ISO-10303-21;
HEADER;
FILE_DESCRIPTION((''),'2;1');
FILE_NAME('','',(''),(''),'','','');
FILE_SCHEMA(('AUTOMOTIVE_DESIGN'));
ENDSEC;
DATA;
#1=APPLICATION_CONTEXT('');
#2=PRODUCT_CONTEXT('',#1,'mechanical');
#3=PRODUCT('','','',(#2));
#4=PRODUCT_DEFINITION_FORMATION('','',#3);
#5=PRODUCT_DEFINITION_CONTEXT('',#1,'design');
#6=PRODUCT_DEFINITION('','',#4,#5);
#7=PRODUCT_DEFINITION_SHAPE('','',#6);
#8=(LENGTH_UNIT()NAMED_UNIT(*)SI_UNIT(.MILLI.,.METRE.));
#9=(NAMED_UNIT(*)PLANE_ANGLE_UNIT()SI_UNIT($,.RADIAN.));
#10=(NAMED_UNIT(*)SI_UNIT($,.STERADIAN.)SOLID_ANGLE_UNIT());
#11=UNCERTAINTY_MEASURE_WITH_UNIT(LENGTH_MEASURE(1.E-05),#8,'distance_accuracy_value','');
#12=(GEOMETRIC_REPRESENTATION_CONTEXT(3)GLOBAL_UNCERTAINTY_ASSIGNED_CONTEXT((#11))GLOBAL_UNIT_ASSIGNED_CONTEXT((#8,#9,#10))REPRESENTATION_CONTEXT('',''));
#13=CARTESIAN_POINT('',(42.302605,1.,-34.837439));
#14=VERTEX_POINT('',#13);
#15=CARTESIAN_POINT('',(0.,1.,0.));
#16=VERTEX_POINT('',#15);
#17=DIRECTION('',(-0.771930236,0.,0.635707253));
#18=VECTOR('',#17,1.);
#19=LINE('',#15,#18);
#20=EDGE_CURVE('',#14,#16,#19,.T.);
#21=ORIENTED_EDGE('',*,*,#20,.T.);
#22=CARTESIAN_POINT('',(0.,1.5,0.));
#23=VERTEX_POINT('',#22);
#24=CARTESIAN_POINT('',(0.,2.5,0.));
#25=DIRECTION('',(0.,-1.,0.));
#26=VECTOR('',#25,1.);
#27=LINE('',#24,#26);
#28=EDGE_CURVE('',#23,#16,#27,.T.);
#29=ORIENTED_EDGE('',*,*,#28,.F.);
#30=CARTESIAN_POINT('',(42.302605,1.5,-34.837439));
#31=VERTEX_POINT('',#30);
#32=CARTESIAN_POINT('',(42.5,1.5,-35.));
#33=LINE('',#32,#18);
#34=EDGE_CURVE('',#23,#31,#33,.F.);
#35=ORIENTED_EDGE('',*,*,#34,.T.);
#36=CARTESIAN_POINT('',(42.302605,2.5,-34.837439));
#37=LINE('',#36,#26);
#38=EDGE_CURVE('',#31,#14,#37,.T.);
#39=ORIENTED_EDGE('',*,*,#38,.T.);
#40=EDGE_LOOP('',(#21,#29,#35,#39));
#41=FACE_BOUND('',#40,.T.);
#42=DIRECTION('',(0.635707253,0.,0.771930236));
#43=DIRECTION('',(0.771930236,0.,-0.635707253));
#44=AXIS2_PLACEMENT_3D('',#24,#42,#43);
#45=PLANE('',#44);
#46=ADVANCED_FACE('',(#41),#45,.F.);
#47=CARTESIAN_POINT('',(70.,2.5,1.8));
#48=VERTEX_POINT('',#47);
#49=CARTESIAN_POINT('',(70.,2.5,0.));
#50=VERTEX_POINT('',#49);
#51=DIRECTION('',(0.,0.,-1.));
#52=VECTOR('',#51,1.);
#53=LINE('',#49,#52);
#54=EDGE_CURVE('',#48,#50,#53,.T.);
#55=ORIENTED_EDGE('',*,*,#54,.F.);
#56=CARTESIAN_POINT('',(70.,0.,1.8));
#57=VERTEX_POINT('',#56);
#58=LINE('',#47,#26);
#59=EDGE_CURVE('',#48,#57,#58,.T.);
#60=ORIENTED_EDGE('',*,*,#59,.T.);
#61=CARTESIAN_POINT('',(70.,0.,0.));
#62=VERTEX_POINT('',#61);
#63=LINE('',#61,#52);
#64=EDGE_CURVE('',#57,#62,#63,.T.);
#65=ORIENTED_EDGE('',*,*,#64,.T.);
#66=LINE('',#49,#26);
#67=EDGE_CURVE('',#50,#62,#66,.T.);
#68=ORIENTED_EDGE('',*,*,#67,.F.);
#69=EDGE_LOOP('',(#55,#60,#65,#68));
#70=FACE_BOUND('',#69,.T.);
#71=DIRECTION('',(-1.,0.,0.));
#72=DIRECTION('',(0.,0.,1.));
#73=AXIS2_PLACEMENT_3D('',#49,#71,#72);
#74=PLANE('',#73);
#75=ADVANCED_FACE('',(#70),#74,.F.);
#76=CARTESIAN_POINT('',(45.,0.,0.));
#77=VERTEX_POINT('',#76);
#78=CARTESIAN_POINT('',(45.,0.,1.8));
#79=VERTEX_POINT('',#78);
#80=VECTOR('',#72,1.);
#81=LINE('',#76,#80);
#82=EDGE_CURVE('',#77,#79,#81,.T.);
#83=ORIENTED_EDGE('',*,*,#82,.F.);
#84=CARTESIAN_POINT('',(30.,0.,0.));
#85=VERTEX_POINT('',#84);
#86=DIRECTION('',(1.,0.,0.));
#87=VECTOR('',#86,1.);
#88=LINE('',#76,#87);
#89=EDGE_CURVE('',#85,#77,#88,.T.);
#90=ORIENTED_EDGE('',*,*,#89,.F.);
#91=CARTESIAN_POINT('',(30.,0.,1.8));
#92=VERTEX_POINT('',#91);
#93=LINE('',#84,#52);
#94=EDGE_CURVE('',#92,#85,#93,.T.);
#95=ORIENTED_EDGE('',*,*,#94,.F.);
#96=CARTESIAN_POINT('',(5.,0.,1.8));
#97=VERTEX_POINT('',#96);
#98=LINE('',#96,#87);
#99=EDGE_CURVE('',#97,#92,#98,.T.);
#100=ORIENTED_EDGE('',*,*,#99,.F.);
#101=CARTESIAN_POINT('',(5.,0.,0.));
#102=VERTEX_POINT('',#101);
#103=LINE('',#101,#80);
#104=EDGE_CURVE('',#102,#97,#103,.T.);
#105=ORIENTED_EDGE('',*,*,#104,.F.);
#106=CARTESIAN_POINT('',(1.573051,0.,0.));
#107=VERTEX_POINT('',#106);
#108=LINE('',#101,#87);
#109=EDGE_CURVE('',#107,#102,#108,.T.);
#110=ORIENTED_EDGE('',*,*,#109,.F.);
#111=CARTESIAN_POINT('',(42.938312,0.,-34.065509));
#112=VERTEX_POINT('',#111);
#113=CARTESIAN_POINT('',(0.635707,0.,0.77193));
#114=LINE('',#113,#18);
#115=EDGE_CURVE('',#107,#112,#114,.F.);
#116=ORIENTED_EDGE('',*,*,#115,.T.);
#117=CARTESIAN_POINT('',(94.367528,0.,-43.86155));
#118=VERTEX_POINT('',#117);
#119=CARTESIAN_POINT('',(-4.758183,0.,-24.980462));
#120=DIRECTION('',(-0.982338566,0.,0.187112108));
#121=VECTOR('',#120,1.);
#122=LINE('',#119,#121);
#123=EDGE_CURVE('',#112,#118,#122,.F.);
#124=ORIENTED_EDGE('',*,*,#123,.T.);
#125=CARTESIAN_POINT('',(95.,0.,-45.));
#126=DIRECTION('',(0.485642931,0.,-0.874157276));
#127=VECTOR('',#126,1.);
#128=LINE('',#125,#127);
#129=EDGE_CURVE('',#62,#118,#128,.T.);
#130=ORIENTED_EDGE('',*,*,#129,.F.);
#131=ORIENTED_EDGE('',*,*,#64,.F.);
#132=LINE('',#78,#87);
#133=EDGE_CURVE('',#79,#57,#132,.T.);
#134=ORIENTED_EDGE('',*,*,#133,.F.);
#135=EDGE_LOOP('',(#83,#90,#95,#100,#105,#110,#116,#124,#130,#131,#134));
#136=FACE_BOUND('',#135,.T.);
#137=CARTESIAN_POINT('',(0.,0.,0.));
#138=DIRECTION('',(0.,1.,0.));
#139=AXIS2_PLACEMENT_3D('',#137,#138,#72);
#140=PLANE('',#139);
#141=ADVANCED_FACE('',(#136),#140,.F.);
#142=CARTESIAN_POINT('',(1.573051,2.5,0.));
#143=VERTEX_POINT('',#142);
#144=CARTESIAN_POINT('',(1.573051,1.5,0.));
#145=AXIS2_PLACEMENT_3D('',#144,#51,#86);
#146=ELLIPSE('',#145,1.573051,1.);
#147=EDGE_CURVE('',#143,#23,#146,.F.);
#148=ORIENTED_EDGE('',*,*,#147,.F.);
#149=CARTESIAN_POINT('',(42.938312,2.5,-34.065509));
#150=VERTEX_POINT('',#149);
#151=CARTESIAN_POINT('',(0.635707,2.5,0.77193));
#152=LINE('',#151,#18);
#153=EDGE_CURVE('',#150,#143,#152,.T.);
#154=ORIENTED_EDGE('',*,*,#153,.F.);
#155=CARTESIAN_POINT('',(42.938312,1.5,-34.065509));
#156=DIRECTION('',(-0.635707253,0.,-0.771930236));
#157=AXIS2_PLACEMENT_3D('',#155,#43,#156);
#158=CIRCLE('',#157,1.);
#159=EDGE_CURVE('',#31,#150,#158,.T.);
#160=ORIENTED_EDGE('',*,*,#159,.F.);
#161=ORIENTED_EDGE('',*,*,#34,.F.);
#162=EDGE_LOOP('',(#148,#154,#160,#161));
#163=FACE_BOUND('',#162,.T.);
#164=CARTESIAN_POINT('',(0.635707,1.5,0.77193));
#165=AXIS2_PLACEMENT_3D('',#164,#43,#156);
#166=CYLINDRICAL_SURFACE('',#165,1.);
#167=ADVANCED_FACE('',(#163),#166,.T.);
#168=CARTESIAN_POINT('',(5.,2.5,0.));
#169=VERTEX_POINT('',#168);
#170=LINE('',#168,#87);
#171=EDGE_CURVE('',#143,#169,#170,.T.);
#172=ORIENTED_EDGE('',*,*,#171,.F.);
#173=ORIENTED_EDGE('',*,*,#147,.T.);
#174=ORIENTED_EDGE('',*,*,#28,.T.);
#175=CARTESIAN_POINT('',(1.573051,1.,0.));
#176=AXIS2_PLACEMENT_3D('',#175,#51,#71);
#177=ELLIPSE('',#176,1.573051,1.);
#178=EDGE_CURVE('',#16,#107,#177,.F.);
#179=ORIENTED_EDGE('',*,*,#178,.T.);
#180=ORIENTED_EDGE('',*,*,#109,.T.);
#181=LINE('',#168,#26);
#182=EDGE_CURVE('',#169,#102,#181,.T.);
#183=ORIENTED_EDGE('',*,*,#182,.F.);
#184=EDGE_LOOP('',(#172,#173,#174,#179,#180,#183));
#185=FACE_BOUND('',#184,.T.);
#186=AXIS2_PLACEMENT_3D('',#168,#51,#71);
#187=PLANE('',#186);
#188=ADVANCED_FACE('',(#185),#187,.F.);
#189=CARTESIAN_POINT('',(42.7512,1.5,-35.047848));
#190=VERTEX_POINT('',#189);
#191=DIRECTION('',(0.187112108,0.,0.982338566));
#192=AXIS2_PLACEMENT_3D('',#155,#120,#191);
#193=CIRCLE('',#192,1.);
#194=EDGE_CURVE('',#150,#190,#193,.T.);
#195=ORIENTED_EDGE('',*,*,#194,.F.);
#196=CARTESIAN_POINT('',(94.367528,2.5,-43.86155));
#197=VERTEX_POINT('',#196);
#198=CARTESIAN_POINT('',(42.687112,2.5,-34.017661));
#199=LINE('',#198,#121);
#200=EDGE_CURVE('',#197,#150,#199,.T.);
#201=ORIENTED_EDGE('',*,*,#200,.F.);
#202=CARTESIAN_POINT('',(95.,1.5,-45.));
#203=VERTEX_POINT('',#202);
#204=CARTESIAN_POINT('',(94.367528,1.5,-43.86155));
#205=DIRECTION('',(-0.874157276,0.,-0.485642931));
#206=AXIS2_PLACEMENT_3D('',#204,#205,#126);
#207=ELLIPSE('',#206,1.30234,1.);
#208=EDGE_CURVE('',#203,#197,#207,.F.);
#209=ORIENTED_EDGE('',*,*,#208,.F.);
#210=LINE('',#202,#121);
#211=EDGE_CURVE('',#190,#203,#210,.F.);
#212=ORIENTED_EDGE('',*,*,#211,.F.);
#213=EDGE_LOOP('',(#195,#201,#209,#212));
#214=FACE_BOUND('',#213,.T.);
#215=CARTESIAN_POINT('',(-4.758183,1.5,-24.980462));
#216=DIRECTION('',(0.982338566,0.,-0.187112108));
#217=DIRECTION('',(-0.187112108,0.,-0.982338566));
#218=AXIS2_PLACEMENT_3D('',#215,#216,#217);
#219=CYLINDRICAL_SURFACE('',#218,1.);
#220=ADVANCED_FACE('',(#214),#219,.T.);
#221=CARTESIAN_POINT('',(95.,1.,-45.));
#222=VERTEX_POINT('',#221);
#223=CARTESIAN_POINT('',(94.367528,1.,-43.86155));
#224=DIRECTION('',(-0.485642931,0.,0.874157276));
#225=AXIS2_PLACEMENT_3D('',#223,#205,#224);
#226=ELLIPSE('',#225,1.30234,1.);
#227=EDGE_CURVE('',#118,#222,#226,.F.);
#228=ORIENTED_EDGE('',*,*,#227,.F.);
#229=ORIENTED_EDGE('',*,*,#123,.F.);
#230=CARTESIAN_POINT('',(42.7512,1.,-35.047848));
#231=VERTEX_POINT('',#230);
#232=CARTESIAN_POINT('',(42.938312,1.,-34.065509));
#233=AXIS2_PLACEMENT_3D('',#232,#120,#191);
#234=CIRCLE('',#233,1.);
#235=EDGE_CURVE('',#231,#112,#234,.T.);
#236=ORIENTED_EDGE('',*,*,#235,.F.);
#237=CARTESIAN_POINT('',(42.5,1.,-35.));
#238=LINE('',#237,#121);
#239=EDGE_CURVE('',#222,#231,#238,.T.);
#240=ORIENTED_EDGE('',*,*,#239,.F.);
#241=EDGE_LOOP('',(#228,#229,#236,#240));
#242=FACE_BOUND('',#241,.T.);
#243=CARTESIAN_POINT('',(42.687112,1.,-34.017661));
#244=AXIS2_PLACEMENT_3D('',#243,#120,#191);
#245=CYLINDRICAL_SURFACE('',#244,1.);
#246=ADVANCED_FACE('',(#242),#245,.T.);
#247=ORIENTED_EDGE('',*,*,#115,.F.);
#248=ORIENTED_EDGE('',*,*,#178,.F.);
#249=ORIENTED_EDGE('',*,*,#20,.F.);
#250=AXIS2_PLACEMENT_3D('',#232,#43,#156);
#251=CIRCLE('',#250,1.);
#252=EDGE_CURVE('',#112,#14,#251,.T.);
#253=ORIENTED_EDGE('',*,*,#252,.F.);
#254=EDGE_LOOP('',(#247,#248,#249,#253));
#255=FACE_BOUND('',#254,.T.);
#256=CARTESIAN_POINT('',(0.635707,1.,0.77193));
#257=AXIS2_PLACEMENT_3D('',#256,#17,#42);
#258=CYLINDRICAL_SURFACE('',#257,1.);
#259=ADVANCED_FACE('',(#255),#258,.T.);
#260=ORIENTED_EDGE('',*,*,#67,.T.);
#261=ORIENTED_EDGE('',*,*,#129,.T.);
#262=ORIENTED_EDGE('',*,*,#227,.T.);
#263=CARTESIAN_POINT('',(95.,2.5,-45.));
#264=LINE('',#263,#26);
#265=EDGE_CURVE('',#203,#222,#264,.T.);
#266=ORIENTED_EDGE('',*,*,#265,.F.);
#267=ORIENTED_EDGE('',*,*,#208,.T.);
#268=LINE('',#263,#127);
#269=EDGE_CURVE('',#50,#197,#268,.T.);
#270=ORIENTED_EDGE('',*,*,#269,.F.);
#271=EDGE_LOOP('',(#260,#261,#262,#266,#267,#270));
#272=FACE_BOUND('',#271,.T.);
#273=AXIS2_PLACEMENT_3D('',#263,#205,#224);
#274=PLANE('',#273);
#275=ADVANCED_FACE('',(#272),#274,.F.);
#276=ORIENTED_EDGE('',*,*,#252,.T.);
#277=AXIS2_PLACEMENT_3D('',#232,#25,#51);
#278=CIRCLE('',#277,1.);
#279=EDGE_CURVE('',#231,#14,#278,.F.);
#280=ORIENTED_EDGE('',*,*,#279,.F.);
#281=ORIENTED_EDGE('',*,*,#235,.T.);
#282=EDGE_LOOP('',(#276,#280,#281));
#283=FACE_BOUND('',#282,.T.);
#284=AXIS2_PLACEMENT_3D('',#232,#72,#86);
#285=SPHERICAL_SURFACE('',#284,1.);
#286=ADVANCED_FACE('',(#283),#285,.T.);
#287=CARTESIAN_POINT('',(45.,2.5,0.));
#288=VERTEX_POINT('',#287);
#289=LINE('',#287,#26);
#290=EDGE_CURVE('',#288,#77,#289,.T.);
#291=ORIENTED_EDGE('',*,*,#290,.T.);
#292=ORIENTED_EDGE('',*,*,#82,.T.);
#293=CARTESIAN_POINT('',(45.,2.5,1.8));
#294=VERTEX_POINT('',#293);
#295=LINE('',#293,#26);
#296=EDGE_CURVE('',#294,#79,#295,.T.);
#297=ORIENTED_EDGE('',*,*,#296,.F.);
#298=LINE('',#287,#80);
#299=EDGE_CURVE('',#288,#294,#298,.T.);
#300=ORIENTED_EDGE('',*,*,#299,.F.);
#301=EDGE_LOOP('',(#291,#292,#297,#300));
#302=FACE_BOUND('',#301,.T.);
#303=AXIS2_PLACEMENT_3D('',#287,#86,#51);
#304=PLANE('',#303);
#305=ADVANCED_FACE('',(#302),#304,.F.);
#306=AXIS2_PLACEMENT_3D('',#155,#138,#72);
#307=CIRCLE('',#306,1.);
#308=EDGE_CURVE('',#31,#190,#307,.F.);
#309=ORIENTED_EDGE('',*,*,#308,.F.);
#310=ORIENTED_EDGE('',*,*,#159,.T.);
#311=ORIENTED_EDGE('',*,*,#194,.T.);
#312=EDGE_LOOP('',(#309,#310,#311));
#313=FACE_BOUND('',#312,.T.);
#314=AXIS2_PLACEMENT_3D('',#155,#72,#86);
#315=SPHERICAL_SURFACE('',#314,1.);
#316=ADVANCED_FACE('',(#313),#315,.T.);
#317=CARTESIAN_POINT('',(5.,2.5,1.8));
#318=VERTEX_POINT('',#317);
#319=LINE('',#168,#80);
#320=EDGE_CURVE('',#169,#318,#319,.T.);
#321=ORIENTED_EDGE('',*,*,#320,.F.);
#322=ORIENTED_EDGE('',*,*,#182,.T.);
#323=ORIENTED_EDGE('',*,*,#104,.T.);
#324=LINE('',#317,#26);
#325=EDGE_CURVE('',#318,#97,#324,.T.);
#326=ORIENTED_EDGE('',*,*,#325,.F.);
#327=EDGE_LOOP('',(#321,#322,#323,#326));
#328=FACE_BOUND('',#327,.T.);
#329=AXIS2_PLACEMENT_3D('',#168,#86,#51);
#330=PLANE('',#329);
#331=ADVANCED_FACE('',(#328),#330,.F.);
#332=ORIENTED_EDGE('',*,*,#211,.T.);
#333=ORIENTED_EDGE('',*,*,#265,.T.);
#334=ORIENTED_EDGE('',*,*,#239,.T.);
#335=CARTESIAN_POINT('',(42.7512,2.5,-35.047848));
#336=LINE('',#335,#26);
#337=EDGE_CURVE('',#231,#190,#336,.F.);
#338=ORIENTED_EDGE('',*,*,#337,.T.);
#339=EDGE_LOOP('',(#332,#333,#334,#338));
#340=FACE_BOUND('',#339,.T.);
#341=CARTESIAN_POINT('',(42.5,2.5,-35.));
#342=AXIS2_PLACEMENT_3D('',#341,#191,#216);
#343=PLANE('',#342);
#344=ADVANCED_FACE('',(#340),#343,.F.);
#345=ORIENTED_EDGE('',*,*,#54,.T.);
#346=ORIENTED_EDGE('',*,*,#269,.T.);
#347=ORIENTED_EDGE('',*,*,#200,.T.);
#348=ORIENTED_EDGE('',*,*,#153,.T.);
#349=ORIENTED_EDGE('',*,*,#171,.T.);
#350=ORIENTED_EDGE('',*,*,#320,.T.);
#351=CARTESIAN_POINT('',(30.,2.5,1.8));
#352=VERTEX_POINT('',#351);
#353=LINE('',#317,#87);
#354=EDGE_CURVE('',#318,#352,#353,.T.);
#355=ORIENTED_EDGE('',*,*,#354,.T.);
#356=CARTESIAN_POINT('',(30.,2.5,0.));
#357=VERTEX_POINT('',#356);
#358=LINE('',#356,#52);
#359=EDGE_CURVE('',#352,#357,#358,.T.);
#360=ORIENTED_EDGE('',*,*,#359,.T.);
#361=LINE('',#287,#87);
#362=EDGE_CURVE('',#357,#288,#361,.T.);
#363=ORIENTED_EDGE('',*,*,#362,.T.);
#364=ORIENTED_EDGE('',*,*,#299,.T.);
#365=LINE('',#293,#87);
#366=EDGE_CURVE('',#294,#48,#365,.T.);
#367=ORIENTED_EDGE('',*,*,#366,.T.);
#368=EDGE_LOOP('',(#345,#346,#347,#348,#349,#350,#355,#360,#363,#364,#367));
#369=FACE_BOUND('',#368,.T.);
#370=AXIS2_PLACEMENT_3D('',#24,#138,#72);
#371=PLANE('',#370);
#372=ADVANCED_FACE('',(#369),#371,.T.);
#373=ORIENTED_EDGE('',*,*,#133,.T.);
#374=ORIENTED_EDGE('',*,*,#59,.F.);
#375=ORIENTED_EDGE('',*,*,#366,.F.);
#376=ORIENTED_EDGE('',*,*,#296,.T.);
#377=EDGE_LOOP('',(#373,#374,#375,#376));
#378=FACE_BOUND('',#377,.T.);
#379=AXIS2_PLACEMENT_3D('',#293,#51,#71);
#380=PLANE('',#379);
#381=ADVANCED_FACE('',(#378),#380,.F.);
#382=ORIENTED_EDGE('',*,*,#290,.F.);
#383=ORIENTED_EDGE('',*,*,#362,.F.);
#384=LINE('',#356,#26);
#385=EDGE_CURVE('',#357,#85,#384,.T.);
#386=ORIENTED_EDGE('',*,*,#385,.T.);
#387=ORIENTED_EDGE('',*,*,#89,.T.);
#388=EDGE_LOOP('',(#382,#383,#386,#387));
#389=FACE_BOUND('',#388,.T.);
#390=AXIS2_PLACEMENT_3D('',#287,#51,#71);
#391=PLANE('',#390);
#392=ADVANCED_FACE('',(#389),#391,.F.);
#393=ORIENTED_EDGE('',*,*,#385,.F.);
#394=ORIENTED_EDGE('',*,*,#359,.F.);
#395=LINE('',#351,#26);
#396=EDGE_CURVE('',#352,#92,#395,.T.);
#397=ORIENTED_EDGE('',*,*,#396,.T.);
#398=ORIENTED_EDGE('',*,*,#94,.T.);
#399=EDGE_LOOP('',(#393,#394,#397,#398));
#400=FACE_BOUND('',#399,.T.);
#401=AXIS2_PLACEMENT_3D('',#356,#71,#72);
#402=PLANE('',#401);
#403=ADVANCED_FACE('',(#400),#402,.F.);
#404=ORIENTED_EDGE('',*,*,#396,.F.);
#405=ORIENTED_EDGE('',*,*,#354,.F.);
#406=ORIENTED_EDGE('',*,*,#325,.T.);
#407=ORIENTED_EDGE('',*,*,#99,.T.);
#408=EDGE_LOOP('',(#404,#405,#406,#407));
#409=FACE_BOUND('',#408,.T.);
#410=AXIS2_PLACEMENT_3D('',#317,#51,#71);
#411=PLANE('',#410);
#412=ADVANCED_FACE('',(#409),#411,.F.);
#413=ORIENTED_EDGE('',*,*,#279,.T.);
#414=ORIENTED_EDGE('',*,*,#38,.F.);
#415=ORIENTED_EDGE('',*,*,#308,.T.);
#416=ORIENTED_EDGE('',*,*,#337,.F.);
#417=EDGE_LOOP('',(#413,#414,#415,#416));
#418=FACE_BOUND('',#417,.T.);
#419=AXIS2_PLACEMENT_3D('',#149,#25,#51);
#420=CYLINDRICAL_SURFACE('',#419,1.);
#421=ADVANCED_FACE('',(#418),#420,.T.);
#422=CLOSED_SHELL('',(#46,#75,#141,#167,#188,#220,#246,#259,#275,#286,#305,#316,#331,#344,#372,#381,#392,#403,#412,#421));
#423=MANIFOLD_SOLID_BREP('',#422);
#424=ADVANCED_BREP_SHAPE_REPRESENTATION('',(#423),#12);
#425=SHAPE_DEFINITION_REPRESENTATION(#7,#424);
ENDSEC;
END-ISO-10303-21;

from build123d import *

# Parameters (mm, degrees)
BOSS_EXTRUDE1_DEPTH = 2.5
FILLET1_R           = 1


with BuildPart() as part:
    # Sketch1 → Boss-Extrude1 (new body)
    with BuildSketch(Plane(origin=(0, 0, 0), x_dir=(1, 0, 0), z_dir=(0, 1, 0))):
        Polygon((0, 0), (42.5, 35), (95, 45), (70, 0), (70, -1.8), (45, -1.8), (45, 0), (30, 0), (30, -1.8), (5, -1.8), (5, 0), align=None)
    extrude(amount=BOSS_EXTRUDE1_DEPTH)

    # Fillet1
    fillet1_edges = [part.edges().sort_by_distance(p)[0] for p in [
        (21.25, 0, -17.5),
        (68.75, 0, -40),
        (42.5, 1.25, -35),
        (68.75, 2.5, -40),
        (21.25, 2.5, -17.5),
    ]]
    fillet(fillet1_edges, radius=FILLET1_R)


solid = part.part
